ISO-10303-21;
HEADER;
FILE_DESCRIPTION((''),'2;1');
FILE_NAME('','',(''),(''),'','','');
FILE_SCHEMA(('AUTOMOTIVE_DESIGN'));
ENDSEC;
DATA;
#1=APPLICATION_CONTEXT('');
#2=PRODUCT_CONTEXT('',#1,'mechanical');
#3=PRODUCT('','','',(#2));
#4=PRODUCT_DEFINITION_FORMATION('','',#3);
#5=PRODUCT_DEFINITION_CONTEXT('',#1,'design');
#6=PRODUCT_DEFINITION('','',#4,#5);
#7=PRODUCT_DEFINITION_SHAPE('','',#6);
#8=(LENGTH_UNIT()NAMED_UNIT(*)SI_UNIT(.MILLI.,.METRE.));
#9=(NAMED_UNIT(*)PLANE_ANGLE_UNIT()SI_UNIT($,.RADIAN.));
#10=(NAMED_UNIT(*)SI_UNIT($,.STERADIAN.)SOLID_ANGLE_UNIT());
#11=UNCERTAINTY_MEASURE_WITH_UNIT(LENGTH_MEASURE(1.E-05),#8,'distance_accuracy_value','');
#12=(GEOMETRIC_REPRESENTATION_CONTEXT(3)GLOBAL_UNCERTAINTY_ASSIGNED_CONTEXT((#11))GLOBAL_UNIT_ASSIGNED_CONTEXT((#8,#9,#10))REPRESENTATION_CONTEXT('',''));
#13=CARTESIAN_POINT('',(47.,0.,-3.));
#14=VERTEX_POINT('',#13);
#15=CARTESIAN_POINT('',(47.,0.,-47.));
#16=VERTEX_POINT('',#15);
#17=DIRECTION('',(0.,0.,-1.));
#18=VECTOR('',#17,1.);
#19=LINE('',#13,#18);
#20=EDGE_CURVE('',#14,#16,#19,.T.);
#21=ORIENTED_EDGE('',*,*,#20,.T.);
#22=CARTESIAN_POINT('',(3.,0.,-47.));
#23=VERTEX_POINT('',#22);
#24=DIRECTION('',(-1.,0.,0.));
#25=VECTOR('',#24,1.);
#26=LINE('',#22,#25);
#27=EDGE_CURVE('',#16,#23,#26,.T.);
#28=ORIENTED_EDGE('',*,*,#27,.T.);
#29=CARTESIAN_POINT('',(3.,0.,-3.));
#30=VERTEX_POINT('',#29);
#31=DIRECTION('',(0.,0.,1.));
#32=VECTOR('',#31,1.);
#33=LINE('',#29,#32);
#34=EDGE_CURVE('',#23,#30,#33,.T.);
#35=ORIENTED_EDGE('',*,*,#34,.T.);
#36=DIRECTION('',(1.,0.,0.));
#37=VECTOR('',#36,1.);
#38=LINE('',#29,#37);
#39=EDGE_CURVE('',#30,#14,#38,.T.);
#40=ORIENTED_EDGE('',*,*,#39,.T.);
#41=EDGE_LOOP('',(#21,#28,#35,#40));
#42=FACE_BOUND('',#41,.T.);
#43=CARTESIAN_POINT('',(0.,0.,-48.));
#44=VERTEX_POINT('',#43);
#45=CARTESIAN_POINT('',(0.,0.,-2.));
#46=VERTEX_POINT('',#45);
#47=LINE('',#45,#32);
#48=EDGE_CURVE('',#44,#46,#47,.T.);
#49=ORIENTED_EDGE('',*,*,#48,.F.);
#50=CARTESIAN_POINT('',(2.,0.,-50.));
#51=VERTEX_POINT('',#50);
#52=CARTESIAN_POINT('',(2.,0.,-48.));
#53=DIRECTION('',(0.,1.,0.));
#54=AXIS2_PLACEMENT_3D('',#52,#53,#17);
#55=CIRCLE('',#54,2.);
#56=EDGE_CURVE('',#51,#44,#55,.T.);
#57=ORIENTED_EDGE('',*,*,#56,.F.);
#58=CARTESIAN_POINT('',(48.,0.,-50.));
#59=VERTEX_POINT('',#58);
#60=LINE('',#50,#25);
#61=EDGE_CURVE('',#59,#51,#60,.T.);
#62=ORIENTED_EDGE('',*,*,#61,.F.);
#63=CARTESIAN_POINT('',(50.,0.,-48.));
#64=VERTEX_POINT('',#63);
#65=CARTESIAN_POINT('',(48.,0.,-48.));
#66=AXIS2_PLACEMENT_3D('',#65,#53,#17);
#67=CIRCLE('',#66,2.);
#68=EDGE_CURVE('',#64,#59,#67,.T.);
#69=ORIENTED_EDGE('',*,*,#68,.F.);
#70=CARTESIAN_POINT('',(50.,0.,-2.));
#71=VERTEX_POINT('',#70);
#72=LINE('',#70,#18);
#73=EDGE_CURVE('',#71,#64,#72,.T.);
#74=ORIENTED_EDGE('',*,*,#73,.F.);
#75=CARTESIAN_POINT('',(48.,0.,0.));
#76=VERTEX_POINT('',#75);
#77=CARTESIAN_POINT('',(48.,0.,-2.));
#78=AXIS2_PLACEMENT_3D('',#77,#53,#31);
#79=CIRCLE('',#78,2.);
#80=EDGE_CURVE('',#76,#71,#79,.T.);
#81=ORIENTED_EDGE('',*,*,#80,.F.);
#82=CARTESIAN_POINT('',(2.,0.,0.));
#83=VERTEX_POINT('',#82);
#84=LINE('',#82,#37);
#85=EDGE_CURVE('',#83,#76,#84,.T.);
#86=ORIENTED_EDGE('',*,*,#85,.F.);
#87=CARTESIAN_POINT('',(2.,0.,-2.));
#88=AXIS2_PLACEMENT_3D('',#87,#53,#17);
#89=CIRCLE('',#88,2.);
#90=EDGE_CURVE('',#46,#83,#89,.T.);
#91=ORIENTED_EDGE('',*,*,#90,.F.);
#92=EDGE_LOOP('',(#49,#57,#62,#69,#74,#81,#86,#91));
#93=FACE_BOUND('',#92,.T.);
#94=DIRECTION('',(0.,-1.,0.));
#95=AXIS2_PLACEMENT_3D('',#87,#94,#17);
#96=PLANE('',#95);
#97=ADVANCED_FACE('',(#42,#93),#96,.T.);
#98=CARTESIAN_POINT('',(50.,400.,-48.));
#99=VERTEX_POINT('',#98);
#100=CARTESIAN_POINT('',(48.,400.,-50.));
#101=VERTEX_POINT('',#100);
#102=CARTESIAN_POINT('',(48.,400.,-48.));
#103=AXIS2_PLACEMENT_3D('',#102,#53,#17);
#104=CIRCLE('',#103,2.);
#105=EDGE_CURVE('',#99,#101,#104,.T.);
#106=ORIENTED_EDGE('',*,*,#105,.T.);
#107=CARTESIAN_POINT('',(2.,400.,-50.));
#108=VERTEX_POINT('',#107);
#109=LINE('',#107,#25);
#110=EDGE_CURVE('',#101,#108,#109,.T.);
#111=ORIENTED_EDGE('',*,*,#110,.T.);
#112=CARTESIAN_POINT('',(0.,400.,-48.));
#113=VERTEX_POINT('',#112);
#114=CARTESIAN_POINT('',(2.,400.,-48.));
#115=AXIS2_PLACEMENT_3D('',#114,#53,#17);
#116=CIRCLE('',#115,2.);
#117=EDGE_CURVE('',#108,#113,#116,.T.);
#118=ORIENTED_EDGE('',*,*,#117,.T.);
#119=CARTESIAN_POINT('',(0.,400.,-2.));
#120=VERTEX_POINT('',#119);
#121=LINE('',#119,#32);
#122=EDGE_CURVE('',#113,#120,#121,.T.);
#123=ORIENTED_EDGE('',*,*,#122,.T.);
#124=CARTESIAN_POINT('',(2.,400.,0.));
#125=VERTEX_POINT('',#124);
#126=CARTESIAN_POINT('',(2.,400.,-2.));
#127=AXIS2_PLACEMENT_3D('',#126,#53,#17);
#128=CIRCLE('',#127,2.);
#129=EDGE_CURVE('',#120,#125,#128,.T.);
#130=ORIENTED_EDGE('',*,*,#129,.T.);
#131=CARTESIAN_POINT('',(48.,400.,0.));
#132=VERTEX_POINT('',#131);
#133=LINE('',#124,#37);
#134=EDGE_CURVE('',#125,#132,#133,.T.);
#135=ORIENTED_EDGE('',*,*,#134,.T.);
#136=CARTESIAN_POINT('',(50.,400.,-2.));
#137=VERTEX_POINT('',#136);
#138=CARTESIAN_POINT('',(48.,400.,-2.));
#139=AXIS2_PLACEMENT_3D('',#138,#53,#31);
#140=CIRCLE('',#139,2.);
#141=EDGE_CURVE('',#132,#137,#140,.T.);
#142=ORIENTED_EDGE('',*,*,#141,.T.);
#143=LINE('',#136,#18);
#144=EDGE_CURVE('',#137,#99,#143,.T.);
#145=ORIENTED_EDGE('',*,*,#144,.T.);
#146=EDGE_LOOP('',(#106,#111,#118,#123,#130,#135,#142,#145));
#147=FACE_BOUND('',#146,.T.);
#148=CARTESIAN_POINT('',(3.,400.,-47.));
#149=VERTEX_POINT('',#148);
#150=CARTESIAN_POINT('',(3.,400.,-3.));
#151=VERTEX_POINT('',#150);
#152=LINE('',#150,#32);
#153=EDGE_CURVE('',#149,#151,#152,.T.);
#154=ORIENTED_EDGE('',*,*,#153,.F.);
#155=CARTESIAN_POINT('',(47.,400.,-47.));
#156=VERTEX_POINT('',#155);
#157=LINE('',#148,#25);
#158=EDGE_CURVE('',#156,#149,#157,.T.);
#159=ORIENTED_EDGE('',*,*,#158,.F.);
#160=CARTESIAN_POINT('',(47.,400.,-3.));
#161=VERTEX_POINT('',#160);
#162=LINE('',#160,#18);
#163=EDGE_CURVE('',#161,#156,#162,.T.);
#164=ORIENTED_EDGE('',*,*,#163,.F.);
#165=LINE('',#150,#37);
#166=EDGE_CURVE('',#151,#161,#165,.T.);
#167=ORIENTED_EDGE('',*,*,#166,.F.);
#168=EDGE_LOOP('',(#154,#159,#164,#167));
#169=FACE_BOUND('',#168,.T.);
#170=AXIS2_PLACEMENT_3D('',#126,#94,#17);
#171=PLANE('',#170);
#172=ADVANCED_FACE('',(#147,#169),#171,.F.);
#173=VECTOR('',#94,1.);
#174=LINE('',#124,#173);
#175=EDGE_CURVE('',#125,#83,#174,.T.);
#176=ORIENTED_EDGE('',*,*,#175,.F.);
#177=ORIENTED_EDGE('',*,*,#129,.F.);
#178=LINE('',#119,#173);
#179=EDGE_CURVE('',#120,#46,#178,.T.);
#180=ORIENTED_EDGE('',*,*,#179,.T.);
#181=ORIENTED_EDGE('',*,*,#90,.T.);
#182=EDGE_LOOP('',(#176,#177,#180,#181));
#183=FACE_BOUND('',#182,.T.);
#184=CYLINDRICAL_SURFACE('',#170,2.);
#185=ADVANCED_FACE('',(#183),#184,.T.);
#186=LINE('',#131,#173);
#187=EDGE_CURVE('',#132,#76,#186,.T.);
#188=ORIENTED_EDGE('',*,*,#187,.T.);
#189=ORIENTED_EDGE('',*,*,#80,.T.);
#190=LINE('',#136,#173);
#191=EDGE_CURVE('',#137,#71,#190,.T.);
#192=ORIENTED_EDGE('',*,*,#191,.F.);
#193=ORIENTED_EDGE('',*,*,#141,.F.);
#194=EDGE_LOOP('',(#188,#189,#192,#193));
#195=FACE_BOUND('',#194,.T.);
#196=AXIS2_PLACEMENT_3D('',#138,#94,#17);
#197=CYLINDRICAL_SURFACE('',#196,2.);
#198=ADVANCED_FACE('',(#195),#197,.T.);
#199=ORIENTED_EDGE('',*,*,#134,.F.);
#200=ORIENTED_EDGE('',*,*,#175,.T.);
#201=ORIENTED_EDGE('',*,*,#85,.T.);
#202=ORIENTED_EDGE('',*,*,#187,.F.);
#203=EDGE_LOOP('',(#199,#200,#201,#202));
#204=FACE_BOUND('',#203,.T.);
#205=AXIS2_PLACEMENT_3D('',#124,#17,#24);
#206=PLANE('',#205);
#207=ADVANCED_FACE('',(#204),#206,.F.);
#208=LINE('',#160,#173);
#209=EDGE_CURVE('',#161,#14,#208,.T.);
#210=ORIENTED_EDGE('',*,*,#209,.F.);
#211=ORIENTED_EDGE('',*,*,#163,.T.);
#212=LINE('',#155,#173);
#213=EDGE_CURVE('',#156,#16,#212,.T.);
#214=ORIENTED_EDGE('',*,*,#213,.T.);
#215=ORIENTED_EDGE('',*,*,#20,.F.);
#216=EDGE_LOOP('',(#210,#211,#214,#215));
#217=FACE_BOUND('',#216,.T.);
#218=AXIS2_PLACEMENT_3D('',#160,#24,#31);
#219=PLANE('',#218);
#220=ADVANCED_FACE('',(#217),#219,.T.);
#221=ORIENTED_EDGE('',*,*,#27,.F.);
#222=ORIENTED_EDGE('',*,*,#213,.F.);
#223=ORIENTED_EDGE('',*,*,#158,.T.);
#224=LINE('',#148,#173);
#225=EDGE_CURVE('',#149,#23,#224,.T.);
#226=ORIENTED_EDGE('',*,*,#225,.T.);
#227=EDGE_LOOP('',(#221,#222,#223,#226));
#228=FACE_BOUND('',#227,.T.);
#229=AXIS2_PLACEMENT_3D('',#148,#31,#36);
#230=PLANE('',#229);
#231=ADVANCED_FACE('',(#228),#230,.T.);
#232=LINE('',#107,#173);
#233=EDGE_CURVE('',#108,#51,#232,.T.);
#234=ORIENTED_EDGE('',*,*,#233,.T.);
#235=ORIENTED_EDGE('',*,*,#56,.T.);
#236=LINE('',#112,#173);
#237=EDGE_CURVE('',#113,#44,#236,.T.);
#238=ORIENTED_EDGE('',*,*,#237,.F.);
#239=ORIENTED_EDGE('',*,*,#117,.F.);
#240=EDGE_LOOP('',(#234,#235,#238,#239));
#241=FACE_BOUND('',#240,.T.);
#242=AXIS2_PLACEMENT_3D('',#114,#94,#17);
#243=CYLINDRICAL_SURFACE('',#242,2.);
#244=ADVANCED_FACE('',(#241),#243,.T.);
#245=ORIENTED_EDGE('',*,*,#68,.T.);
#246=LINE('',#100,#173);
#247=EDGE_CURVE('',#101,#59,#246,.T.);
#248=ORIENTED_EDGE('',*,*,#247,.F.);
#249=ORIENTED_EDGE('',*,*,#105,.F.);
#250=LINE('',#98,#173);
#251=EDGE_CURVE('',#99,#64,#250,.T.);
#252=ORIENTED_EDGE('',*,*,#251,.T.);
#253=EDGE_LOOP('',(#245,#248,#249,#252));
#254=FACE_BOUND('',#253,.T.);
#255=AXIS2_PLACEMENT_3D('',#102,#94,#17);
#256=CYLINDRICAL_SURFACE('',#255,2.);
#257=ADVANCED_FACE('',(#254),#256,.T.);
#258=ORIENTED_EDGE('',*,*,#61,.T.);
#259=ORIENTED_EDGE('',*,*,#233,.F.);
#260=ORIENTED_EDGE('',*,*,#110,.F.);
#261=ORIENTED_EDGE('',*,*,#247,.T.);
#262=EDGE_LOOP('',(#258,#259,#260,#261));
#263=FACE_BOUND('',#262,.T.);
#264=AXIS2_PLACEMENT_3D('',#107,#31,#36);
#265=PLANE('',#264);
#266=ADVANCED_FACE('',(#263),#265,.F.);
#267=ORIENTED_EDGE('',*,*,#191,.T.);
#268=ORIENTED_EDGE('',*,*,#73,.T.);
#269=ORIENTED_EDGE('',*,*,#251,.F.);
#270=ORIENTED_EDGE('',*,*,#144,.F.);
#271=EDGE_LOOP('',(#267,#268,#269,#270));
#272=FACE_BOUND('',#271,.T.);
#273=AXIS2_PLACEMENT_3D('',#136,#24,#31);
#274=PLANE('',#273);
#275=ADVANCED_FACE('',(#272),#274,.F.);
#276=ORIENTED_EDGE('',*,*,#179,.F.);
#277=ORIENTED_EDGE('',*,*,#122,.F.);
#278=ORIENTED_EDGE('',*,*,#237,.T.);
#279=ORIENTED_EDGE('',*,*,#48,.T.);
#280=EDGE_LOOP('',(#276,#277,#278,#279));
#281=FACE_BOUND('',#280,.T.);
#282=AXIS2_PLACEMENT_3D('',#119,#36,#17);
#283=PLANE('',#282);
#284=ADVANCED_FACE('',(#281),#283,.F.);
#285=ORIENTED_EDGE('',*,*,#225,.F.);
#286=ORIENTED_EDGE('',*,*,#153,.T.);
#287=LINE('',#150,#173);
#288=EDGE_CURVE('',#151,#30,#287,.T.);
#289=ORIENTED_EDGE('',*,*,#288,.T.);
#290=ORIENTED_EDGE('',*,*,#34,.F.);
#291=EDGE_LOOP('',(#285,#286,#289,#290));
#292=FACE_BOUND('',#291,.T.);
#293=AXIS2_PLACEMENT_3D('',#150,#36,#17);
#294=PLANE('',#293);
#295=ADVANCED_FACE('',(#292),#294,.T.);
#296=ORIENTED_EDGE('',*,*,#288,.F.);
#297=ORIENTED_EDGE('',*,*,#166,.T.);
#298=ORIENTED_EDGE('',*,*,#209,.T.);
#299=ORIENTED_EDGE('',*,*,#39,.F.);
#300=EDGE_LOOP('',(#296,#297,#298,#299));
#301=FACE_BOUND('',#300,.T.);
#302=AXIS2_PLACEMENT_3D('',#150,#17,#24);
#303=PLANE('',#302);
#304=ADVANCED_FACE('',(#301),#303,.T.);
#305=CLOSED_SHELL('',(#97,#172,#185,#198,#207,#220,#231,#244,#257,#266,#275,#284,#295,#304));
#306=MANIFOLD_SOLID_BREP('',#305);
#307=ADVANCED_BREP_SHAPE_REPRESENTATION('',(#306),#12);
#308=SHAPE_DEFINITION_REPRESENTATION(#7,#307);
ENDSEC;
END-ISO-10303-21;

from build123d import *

# Parameters (mm, degrees)
SKETCH1_W           = 44
SKETCH1_H           = 44
BOSS_EXTRUDE1_DEPTH = 400


with BuildPart() as part:
    # Sketch1 → Boss-Extrude1 (new body)
    with BuildSketch(Plane(origin=(0, 0, 0), x_dir=(1, 0, 0), z_dir=(0, 1, 0))):
        with BuildLine():
            Line((2, 0), (48, 0))
            ThreePointArc((48, 0), (49.414213562, 0.585786438), (50, 2))
            Line((50, 2), (50, 48))
            ThreePointArc((50, 48), (49.414213562, 49.414213562), (48, 50))
            Line((48, 50), (2, 50))
            ThreePointArc((2, 50), (0.585786438, 49.414213562), (0, 48))
            Line((0, 48), (0, 2))
            ThreePointArc((0, 2), (0.585786438, 0.585786438), (2, 0))
        make_face()
        with Locations((25, 25)):
            Rectangle(SKETCH1_W, SKETCH1_H, mode=Mode.SUBTRACT)
    extrude(amount=BOSS_EXTRUDE1_DEPTH)


solid = part.part
